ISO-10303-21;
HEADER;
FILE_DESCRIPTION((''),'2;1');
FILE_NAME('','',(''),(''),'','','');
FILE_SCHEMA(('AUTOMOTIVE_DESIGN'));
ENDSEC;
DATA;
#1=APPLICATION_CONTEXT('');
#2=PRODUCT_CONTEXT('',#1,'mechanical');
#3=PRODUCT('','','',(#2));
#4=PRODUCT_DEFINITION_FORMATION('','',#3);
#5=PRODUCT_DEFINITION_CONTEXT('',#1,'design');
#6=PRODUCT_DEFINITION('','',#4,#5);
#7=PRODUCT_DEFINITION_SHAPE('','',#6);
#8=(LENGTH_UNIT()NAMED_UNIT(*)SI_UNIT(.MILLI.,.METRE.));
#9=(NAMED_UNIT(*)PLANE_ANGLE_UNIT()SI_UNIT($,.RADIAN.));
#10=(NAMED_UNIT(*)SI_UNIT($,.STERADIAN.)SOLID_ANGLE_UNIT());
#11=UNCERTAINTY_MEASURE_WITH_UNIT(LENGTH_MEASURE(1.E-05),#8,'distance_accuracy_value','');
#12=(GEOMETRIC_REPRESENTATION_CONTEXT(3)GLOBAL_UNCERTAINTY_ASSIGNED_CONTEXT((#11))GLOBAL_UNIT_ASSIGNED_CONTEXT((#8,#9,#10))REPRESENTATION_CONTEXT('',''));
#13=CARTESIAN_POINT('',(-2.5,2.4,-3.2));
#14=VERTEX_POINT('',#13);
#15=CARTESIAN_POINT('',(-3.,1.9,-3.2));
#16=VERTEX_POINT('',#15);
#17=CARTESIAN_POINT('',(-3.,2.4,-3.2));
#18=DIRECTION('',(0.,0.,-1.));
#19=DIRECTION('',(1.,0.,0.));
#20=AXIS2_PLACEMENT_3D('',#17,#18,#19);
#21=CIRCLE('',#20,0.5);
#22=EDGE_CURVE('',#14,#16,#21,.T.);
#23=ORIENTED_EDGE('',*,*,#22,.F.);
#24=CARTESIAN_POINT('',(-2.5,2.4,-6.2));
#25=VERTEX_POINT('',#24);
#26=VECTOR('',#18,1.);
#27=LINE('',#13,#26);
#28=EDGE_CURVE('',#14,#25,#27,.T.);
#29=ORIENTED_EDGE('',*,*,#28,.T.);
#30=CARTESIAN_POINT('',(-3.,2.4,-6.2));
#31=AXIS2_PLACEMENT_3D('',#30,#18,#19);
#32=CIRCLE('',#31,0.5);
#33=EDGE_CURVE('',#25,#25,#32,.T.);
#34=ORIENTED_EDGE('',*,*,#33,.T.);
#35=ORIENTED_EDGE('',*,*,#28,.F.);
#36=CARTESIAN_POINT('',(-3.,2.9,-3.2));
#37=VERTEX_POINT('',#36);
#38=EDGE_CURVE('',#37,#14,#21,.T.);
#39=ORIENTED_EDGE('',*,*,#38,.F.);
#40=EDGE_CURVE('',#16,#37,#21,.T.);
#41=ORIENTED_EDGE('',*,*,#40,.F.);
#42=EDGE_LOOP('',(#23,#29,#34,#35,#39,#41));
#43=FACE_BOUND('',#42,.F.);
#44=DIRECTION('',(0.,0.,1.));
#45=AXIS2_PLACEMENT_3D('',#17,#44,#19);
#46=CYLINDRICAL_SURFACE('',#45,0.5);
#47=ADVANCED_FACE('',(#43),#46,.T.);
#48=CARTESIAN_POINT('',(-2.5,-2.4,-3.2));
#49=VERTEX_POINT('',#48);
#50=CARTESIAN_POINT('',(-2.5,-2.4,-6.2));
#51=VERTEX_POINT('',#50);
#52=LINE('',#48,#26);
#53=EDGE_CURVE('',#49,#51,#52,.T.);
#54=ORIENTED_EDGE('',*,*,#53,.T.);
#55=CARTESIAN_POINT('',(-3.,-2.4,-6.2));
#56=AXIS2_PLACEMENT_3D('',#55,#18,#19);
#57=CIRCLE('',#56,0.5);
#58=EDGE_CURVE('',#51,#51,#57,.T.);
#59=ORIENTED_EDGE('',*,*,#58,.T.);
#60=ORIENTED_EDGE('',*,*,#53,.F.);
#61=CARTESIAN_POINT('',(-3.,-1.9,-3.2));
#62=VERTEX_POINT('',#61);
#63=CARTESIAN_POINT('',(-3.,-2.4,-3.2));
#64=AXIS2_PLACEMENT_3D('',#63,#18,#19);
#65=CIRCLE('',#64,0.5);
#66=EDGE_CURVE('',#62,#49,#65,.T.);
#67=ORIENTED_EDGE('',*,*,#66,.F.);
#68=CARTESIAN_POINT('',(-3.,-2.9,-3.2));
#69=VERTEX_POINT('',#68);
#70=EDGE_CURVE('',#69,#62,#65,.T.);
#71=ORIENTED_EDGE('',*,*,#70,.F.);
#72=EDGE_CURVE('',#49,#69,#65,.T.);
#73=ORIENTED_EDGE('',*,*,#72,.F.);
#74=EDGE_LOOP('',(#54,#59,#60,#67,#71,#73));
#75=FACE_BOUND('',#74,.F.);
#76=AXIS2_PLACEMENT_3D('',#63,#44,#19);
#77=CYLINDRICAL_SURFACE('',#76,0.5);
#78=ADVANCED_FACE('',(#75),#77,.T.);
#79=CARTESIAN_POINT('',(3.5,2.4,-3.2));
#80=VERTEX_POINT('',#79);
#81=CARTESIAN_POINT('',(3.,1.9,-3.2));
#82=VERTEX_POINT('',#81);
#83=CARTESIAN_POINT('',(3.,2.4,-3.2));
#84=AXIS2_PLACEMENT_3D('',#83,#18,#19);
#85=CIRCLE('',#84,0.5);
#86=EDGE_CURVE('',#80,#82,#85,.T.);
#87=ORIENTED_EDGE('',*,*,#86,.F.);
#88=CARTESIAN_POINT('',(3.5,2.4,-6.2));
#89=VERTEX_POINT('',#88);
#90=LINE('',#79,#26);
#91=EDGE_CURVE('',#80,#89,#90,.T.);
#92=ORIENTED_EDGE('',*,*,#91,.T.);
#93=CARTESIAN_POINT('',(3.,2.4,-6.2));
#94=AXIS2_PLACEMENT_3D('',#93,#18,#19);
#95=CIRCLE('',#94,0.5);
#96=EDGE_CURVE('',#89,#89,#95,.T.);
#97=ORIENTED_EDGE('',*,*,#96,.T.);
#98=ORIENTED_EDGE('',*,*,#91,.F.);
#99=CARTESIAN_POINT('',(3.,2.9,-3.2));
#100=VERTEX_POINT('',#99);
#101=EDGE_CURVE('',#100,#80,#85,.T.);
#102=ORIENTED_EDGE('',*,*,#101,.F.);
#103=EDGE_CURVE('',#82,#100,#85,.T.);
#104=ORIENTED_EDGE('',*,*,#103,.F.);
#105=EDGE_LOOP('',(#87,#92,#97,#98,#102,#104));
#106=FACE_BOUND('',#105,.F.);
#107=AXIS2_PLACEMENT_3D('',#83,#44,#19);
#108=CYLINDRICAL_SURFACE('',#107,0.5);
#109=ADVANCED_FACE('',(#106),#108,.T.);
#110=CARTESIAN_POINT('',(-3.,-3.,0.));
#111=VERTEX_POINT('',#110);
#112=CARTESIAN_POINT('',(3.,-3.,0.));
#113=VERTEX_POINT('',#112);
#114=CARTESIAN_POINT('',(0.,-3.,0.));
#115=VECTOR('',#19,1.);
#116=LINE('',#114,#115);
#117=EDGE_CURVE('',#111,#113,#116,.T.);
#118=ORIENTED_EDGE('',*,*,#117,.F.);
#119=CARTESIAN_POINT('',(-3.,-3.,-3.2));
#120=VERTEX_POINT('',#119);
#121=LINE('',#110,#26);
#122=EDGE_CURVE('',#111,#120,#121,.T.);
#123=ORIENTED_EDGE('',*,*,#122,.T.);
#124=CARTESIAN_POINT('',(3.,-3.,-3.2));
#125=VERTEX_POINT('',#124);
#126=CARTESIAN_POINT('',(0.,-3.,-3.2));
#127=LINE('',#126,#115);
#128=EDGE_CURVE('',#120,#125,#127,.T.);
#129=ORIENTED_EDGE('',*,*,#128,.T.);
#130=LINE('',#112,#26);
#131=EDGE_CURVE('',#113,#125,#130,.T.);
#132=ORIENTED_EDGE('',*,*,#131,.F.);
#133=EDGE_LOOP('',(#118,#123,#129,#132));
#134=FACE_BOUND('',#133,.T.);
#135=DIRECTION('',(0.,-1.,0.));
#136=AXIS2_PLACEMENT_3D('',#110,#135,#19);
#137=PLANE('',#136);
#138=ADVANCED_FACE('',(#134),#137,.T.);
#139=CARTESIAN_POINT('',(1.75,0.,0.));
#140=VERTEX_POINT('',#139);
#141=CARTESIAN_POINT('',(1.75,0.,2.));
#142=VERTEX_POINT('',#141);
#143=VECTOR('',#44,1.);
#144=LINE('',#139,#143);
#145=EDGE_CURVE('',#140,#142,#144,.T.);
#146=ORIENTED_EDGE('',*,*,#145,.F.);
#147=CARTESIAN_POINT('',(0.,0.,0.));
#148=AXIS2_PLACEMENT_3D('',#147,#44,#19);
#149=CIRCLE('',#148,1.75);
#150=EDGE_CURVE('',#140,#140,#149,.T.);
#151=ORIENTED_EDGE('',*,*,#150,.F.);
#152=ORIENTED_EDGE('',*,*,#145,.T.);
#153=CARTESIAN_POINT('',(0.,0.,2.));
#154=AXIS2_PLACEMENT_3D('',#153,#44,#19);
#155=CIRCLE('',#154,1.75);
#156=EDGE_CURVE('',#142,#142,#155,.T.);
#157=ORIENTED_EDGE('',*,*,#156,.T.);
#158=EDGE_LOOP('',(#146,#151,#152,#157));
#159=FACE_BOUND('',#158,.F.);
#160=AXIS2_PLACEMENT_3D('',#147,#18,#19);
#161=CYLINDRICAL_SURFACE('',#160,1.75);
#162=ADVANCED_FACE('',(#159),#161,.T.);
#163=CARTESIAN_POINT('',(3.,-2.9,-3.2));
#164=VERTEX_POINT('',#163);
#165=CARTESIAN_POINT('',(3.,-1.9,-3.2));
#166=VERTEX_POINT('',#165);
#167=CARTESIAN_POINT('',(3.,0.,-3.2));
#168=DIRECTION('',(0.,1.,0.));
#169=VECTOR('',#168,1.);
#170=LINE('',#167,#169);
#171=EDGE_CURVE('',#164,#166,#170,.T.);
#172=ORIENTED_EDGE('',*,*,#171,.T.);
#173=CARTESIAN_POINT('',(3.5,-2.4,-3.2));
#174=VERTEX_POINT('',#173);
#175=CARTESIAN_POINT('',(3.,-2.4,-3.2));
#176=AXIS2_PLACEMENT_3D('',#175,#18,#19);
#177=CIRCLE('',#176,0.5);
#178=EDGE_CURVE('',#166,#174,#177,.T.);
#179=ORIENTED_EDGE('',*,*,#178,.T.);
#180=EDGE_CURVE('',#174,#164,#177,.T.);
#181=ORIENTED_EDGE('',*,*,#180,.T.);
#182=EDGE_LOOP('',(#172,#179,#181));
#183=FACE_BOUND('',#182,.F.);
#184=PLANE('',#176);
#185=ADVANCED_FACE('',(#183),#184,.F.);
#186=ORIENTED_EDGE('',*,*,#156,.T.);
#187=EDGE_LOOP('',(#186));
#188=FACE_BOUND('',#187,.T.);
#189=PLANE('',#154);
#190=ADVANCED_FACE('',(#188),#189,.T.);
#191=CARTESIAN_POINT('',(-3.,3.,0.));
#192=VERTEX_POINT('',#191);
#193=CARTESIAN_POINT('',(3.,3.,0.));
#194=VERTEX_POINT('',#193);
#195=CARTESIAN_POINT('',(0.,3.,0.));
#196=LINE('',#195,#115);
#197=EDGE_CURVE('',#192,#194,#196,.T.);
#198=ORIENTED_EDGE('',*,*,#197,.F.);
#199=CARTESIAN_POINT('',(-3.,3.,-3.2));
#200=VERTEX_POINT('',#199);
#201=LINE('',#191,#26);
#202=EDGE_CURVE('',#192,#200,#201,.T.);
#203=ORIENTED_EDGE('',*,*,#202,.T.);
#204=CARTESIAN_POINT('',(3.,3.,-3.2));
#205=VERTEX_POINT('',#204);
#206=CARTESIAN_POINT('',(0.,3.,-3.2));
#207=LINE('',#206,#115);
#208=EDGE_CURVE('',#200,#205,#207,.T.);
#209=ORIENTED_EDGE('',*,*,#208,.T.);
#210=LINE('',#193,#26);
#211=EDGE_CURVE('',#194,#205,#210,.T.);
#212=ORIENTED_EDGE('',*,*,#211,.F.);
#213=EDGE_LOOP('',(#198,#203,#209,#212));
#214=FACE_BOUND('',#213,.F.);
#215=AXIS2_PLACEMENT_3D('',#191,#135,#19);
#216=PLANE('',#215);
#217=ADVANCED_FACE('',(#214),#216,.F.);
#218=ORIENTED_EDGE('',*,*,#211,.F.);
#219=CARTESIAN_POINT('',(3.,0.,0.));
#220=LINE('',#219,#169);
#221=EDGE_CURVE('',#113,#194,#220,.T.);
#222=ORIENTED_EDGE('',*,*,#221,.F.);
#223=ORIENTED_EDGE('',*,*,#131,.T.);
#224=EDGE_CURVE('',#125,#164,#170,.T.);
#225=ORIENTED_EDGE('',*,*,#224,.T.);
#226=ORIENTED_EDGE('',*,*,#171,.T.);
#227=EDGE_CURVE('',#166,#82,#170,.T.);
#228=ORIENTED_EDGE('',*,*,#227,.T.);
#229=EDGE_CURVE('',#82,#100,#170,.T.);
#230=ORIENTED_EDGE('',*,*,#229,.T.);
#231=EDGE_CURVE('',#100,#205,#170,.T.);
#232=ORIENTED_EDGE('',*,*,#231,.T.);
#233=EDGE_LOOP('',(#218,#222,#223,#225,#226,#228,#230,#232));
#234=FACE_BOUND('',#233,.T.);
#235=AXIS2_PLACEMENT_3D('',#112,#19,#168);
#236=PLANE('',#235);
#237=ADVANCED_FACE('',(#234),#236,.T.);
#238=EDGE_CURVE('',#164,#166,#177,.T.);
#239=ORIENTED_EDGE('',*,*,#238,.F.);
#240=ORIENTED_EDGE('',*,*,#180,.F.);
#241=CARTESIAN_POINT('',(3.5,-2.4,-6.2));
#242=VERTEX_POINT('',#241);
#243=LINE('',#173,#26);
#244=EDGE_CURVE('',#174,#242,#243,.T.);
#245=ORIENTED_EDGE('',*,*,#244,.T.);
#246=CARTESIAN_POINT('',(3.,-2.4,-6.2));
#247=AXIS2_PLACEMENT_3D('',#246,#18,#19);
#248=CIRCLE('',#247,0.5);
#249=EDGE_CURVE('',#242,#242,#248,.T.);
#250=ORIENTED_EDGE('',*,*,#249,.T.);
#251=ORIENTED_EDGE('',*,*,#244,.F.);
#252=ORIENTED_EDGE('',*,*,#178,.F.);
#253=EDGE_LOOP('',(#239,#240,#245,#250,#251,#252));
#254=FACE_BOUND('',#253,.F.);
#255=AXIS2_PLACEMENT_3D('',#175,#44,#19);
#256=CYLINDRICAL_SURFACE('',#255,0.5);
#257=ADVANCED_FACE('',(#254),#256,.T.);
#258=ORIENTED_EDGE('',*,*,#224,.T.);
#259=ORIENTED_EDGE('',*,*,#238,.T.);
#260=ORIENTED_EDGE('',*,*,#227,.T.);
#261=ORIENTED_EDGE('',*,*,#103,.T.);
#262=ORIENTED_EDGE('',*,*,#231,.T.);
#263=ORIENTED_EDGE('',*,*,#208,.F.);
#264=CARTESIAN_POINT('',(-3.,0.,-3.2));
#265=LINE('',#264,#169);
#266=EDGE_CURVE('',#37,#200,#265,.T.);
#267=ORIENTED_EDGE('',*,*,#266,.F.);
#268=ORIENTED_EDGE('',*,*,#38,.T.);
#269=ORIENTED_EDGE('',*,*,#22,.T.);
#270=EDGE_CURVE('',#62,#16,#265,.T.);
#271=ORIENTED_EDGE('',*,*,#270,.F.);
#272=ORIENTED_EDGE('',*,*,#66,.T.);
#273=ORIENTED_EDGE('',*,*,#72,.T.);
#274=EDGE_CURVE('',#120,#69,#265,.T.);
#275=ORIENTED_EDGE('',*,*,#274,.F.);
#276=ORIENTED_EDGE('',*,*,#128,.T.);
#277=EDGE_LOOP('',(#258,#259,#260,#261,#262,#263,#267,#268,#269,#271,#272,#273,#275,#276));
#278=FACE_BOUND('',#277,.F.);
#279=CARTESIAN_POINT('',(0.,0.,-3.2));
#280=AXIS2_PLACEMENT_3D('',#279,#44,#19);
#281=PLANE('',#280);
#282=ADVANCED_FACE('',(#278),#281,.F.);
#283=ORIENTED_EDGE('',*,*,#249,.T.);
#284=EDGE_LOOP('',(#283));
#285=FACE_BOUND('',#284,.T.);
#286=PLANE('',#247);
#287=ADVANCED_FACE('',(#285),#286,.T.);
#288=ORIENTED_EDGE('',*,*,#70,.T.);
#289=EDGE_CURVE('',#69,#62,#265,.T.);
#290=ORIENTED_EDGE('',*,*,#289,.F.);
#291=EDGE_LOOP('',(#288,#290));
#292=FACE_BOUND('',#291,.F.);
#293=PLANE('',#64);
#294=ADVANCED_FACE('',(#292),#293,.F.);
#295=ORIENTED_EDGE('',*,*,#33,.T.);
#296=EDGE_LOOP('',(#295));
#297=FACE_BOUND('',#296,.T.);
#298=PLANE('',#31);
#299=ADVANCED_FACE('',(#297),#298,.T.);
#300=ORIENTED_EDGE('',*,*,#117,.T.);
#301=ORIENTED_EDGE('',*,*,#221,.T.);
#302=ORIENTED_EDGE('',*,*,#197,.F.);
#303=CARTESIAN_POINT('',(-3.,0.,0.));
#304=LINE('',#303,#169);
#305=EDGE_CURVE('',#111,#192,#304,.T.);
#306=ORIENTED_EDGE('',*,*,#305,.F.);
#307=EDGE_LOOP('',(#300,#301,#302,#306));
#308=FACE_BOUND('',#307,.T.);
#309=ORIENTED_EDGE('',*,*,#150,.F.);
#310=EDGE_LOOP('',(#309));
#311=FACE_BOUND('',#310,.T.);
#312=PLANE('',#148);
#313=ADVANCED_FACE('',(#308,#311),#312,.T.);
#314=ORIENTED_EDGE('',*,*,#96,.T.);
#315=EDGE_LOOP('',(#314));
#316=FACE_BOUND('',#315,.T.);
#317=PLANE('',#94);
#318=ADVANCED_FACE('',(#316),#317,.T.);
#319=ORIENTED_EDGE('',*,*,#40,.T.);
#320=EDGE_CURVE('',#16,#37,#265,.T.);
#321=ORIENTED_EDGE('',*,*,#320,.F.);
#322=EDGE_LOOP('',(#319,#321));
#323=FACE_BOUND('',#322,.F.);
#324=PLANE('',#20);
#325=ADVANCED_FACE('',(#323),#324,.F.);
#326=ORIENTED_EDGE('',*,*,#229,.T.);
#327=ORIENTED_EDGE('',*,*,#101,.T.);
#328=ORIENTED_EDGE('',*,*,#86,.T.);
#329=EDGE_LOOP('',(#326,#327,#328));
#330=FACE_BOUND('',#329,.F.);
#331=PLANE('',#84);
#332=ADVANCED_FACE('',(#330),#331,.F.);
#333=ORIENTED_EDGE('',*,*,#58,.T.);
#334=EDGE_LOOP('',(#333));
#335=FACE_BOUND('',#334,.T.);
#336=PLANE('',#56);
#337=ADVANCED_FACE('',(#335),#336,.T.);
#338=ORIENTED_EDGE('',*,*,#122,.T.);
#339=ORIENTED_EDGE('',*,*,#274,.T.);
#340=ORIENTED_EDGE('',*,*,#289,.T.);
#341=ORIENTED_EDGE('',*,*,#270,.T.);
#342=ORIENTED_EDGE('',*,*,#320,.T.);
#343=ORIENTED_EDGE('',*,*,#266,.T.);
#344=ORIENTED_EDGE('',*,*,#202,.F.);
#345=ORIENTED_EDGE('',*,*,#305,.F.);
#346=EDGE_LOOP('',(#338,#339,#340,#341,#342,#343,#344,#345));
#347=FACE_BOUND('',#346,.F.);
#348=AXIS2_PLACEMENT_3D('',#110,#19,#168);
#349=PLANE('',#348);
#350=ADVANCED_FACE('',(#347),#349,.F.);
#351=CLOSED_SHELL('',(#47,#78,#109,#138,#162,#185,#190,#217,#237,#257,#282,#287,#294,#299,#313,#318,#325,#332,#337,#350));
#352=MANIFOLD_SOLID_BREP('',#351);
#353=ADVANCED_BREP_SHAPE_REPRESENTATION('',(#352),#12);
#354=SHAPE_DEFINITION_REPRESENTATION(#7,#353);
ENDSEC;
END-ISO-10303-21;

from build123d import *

# Parameters (mm, degrees)
F0_W     = 6
F0_H     = 6
F1_DEPTH = 3.2
F2_R     = 1.75
F3_DEPTH = 2
F4_R     = 0.5
F5_DEPTH = 3


with BuildPart() as f1:
    # F0 (on Top) → F1 (new body)
    with BuildSketch(Plane.XY):
        Rectangle(F0_W, F0_H)
    extrude(amount=-F1_DEPTH)

    # F2 (on face) → F3 (join)
    with BuildSketch(Plane.XY):
        Circle(F2_R)
    extrude(amount=F3_DEPTH)

    # F4 (on face) → F5 (join)
    with BuildSketch(Plane(origin=(0, 0, -3.2), x_dir=(1, 0, 0), z_dir=(0, 0, -1))):
        with Locations((-3, 2.4)):
            Circle(F4_R)
        with Locations((3, 2.4)):
            Circle(F4_R)
        with Locations((-3, -2.4)):
            Circle(F4_R)
        with Locations((3, -2.4)):
            Circle(F4_R)
    extrude(amount=F5_DEPTH)


solid = f1.part
